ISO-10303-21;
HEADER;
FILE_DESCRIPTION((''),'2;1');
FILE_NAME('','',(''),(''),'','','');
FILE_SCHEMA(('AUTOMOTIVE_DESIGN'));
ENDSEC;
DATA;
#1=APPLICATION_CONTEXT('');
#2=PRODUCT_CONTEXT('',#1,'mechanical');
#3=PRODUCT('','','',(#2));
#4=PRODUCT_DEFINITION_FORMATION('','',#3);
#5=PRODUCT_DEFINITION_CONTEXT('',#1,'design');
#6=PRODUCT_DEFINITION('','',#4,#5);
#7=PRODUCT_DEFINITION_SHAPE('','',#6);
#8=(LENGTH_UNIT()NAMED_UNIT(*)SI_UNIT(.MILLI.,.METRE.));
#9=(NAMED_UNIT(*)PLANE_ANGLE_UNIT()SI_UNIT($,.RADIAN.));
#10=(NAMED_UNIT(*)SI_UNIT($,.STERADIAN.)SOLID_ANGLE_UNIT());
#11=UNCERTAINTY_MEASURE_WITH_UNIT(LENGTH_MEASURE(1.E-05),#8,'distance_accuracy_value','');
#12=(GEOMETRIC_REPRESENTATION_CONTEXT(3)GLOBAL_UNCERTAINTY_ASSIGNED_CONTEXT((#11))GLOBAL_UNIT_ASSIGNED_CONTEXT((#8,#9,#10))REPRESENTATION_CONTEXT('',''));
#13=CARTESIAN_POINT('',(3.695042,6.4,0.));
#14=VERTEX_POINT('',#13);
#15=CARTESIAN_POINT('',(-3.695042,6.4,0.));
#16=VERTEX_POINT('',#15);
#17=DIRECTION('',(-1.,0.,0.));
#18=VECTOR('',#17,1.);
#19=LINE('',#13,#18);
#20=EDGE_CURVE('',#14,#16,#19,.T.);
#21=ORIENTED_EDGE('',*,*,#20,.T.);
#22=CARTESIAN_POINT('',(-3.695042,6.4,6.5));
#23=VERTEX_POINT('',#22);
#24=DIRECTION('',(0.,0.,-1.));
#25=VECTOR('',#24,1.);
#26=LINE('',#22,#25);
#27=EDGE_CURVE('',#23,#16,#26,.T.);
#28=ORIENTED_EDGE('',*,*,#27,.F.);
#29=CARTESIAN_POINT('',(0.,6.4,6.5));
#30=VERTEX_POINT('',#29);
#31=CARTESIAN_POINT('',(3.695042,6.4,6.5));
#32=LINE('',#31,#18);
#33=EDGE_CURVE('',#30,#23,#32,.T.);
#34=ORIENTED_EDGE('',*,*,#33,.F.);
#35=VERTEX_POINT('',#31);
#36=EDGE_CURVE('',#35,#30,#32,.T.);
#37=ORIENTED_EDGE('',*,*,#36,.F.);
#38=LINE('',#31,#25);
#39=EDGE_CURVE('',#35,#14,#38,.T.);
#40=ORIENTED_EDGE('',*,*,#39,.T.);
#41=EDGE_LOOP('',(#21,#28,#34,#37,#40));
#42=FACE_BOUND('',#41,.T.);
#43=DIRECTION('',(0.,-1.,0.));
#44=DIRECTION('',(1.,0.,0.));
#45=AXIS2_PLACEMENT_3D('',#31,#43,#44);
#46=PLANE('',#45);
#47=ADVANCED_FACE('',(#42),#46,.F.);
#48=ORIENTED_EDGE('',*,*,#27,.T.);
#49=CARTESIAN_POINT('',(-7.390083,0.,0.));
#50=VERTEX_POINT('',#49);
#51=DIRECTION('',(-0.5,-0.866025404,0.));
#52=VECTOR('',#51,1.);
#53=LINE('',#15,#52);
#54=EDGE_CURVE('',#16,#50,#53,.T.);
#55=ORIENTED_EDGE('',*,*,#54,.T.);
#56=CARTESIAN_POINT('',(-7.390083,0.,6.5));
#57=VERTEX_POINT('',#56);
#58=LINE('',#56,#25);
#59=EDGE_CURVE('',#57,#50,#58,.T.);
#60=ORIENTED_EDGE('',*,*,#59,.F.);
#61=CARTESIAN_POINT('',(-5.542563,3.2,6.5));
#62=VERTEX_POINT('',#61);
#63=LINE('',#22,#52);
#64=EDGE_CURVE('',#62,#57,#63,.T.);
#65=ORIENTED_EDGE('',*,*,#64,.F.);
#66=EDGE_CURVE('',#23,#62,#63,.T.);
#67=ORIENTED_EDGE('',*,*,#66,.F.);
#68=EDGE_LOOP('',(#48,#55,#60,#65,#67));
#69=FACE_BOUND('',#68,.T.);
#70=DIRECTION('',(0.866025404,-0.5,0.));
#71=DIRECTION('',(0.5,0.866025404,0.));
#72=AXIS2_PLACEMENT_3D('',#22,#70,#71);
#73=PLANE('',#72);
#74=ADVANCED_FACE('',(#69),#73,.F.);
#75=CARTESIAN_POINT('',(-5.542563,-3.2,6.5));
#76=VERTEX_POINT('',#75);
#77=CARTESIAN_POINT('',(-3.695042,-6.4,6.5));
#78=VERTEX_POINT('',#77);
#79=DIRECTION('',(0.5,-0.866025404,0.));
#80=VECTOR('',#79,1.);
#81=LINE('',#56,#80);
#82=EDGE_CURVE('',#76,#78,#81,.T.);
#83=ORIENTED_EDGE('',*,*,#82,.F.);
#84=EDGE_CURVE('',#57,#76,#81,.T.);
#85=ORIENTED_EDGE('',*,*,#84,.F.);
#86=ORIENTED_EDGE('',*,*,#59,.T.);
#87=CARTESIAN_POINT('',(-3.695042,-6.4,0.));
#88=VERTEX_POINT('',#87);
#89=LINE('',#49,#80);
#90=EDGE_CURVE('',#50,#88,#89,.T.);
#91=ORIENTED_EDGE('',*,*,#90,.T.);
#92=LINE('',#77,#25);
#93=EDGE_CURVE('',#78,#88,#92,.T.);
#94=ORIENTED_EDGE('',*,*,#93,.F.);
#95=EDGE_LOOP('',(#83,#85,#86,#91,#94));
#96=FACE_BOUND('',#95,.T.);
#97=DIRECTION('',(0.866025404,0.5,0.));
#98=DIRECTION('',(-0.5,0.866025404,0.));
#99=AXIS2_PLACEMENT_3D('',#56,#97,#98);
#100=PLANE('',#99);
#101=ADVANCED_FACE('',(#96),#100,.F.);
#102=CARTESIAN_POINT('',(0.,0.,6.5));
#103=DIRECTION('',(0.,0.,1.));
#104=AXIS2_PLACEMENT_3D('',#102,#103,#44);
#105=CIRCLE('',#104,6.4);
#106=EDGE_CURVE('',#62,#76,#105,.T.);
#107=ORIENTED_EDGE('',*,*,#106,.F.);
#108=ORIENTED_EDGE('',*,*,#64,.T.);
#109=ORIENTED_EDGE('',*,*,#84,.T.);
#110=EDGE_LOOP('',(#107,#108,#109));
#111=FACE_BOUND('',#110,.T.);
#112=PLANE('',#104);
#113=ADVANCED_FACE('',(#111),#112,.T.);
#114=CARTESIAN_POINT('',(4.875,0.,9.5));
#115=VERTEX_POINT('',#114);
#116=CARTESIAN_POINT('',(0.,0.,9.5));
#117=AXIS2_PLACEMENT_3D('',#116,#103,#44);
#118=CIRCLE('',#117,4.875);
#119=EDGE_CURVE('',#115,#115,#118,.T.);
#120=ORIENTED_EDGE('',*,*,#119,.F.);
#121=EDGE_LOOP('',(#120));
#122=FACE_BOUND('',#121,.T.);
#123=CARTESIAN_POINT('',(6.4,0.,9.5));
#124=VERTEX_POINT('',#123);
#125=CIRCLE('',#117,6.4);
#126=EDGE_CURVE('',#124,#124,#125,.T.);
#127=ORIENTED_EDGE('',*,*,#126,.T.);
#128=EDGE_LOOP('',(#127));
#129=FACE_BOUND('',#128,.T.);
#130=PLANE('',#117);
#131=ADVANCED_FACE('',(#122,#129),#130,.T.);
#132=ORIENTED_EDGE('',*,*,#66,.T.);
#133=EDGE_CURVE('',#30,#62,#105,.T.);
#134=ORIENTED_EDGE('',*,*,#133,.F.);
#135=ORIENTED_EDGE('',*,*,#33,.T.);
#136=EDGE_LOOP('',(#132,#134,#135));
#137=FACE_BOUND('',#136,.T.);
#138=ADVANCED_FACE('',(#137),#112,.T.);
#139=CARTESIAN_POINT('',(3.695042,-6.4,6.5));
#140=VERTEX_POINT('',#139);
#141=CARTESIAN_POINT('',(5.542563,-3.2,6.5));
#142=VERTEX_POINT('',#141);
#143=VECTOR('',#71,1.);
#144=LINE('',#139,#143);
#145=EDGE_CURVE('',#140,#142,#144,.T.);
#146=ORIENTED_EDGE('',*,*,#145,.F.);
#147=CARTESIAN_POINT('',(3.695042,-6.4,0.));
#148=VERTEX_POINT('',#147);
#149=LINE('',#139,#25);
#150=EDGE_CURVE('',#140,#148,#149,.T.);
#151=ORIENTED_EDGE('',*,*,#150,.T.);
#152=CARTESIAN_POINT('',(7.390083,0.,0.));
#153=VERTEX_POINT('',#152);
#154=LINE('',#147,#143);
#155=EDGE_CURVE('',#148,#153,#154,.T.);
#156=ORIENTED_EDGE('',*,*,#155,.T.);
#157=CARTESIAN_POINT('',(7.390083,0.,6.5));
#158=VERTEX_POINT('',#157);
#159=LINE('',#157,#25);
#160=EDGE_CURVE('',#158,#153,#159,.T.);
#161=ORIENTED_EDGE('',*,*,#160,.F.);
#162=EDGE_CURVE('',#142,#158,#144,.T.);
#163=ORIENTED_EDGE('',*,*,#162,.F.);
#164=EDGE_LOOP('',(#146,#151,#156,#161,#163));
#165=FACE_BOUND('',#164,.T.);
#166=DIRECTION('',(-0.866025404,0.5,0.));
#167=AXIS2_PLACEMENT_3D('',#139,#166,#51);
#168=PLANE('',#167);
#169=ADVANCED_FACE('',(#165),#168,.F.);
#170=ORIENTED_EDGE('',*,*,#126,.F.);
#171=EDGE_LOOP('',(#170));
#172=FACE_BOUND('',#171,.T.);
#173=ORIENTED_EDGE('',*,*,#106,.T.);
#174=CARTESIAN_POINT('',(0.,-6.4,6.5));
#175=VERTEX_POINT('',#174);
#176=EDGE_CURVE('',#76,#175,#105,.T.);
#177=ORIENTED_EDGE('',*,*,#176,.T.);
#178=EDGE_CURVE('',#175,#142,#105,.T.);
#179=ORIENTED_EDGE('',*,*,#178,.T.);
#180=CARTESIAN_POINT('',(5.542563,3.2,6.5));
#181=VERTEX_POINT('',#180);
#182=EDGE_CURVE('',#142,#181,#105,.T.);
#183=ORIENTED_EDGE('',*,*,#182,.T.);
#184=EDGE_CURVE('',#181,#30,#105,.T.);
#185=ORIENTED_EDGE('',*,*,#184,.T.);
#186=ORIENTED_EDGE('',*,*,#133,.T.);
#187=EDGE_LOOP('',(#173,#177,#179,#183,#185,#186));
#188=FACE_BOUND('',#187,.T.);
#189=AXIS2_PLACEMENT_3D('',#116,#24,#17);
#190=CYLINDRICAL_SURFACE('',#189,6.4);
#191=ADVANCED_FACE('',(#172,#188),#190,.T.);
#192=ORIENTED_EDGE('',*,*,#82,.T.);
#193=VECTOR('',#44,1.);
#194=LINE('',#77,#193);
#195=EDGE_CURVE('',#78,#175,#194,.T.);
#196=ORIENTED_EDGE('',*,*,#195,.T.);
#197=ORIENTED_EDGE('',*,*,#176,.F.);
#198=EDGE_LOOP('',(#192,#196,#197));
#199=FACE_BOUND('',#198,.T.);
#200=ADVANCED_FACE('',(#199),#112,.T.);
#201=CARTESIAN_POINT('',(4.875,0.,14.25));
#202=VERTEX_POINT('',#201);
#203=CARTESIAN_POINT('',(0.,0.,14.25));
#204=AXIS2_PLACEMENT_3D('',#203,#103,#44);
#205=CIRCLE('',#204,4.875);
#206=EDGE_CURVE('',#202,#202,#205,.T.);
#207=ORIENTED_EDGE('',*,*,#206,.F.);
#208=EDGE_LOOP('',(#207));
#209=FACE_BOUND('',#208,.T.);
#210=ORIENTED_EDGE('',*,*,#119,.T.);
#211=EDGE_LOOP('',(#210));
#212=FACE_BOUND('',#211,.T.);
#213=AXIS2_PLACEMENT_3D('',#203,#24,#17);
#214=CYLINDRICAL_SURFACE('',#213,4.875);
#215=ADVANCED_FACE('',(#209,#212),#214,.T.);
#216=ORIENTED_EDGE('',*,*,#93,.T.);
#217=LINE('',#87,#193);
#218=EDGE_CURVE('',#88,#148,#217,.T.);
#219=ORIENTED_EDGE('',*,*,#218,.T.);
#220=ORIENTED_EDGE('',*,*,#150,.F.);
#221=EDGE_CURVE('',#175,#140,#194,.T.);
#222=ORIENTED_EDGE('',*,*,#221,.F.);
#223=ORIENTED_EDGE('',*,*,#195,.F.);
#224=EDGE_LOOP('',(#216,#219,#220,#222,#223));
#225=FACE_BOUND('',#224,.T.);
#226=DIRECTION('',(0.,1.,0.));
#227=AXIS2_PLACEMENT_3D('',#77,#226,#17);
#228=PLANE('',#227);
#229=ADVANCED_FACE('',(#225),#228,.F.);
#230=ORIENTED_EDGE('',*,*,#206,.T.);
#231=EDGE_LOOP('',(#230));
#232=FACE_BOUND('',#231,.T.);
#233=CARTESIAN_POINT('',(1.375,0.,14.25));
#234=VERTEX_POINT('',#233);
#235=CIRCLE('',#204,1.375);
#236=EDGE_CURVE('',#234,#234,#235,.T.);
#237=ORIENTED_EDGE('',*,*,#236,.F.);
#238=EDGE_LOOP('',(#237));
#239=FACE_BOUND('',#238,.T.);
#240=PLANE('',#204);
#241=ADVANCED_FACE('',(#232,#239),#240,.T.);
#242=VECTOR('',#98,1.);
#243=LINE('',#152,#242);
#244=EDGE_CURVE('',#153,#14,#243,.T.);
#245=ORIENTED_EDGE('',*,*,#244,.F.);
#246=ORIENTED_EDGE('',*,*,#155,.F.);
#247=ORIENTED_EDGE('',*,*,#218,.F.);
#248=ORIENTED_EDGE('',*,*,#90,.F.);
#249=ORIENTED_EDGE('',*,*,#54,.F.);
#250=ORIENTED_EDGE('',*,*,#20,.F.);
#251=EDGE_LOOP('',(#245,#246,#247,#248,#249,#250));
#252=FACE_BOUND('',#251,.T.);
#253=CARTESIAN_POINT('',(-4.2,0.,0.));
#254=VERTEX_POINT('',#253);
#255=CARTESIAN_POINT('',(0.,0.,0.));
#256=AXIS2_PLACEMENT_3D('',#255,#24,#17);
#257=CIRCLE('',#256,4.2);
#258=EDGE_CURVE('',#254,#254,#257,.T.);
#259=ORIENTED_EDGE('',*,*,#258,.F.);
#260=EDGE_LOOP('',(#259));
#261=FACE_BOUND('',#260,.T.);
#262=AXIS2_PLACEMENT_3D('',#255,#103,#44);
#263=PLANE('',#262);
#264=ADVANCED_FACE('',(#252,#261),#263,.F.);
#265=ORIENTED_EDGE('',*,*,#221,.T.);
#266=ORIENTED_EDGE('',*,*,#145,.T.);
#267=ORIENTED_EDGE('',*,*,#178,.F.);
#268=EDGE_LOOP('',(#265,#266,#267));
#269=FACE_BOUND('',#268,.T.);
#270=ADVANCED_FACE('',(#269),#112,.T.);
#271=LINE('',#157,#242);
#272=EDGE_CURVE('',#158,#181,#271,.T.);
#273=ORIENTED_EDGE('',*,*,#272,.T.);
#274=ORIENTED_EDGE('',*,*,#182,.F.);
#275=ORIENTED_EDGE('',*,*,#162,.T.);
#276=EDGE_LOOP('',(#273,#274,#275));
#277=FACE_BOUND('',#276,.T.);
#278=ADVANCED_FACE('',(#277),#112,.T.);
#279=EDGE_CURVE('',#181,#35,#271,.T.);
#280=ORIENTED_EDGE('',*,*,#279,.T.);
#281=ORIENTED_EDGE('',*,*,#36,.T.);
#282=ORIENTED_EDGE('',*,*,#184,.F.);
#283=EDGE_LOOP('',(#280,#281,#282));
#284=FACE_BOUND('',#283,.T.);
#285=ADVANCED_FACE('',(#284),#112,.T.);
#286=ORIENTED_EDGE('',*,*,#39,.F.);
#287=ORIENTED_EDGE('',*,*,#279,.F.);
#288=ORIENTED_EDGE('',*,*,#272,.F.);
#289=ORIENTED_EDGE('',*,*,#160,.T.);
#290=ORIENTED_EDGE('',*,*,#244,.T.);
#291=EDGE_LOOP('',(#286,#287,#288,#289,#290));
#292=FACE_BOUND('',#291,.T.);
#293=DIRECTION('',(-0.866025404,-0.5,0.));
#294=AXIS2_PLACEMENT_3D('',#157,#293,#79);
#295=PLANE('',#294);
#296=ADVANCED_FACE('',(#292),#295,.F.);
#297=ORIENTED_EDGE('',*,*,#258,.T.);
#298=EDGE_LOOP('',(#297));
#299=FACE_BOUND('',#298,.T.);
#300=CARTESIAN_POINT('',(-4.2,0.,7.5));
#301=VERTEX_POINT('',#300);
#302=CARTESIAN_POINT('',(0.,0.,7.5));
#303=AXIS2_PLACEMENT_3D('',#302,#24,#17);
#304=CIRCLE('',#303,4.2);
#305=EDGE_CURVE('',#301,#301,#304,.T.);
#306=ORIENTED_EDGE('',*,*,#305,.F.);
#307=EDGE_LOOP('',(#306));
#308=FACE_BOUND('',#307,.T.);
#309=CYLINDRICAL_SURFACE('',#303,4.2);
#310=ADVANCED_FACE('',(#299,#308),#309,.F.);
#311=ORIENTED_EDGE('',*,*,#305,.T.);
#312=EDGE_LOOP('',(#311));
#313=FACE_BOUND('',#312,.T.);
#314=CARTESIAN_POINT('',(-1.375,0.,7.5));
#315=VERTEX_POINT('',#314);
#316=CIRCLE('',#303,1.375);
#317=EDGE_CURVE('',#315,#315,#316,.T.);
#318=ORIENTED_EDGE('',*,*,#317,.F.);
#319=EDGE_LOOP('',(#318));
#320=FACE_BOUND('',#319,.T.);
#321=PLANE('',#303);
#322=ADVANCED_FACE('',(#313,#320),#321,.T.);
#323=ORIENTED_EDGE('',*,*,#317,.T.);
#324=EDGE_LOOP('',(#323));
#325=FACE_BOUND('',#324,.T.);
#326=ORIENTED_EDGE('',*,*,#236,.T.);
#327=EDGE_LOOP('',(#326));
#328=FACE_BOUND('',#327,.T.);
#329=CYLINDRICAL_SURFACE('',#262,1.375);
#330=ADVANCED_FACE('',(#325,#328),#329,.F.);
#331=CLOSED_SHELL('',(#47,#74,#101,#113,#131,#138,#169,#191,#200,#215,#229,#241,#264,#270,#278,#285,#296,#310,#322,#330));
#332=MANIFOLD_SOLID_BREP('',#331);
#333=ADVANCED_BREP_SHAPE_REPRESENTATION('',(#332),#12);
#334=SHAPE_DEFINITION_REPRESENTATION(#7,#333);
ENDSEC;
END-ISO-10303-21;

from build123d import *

# Parameters (mm, degrees)
BOSS_EXTRUDE1_DEPTH = 6.5
SKETCH2_R           = 6.4
BOSS_EXTRUDE2_DEPTH = 3
SKETCH3_R           = 4.2
CUT_EXTRUDE1_DEPTH  = 7.5
SKETCH5_R           = 4.875
BOSS_EXTRUDE3_DEPTH = 4.75
SKETCH6_R           = 1.375
CUT_EXTRUDE2_DEPTH  = 18.281083106


with BuildPart() as part:
    # Sketch1 → Boss-Extrude1 (new body)
    with BuildSketch(Plane.XY):
        Polygon((7.390083446, 0), (3.695041723, 6.4), (-3.695041723, 6.4), (-7.390083446, 0), (-3.695041723, -6.4), (3.695041723, -6.4), align=None)
    extrude(amount=BOSS_EXTRUDE1_DEPTH)

    # Sketch2 → Boss-Extrude2 (add)
    with BuildSketch(Plane.XY.offset(6.5)):
        with Locations(Location((0, 0, 0), (0, 0, 150))):
            Circle(SKETCH2_R)
    extrude(amount=BOSS_EXTRUDE2_DEPTH)

    # Sketch3 → Cut-Extrude1 (cut)
    with BuildSketch(Plane(origin=(0, 0, 0), x_dir=(-1, 0, 0), z_dir=(0, 0, -1))):
        Circle(SKETCH3_R)
    extrude(amount=-CUT_EXTRUDE1_DEPTH, mode=Mode.SUBTRACT)

    # Sketch5 → Boss-Extrude3 (add)
    with BuildSketch(Plane.XY.offset(9.5)):
        Circle(SKETCH5_R)
    extrude(amount=BOSS_EXTRUDE3_DEPTH)

    # Sketch6 → Cut-Extrude2 (cut, through all)
    with BuildSketch(Plane.XY.offset(14.25)):
        Circle(SKETCH6_R)
    extrude(amount=-CUT_EXTRUDE2_DEPTH, mode=Mode.SUBTRACT)


solid = part.part
